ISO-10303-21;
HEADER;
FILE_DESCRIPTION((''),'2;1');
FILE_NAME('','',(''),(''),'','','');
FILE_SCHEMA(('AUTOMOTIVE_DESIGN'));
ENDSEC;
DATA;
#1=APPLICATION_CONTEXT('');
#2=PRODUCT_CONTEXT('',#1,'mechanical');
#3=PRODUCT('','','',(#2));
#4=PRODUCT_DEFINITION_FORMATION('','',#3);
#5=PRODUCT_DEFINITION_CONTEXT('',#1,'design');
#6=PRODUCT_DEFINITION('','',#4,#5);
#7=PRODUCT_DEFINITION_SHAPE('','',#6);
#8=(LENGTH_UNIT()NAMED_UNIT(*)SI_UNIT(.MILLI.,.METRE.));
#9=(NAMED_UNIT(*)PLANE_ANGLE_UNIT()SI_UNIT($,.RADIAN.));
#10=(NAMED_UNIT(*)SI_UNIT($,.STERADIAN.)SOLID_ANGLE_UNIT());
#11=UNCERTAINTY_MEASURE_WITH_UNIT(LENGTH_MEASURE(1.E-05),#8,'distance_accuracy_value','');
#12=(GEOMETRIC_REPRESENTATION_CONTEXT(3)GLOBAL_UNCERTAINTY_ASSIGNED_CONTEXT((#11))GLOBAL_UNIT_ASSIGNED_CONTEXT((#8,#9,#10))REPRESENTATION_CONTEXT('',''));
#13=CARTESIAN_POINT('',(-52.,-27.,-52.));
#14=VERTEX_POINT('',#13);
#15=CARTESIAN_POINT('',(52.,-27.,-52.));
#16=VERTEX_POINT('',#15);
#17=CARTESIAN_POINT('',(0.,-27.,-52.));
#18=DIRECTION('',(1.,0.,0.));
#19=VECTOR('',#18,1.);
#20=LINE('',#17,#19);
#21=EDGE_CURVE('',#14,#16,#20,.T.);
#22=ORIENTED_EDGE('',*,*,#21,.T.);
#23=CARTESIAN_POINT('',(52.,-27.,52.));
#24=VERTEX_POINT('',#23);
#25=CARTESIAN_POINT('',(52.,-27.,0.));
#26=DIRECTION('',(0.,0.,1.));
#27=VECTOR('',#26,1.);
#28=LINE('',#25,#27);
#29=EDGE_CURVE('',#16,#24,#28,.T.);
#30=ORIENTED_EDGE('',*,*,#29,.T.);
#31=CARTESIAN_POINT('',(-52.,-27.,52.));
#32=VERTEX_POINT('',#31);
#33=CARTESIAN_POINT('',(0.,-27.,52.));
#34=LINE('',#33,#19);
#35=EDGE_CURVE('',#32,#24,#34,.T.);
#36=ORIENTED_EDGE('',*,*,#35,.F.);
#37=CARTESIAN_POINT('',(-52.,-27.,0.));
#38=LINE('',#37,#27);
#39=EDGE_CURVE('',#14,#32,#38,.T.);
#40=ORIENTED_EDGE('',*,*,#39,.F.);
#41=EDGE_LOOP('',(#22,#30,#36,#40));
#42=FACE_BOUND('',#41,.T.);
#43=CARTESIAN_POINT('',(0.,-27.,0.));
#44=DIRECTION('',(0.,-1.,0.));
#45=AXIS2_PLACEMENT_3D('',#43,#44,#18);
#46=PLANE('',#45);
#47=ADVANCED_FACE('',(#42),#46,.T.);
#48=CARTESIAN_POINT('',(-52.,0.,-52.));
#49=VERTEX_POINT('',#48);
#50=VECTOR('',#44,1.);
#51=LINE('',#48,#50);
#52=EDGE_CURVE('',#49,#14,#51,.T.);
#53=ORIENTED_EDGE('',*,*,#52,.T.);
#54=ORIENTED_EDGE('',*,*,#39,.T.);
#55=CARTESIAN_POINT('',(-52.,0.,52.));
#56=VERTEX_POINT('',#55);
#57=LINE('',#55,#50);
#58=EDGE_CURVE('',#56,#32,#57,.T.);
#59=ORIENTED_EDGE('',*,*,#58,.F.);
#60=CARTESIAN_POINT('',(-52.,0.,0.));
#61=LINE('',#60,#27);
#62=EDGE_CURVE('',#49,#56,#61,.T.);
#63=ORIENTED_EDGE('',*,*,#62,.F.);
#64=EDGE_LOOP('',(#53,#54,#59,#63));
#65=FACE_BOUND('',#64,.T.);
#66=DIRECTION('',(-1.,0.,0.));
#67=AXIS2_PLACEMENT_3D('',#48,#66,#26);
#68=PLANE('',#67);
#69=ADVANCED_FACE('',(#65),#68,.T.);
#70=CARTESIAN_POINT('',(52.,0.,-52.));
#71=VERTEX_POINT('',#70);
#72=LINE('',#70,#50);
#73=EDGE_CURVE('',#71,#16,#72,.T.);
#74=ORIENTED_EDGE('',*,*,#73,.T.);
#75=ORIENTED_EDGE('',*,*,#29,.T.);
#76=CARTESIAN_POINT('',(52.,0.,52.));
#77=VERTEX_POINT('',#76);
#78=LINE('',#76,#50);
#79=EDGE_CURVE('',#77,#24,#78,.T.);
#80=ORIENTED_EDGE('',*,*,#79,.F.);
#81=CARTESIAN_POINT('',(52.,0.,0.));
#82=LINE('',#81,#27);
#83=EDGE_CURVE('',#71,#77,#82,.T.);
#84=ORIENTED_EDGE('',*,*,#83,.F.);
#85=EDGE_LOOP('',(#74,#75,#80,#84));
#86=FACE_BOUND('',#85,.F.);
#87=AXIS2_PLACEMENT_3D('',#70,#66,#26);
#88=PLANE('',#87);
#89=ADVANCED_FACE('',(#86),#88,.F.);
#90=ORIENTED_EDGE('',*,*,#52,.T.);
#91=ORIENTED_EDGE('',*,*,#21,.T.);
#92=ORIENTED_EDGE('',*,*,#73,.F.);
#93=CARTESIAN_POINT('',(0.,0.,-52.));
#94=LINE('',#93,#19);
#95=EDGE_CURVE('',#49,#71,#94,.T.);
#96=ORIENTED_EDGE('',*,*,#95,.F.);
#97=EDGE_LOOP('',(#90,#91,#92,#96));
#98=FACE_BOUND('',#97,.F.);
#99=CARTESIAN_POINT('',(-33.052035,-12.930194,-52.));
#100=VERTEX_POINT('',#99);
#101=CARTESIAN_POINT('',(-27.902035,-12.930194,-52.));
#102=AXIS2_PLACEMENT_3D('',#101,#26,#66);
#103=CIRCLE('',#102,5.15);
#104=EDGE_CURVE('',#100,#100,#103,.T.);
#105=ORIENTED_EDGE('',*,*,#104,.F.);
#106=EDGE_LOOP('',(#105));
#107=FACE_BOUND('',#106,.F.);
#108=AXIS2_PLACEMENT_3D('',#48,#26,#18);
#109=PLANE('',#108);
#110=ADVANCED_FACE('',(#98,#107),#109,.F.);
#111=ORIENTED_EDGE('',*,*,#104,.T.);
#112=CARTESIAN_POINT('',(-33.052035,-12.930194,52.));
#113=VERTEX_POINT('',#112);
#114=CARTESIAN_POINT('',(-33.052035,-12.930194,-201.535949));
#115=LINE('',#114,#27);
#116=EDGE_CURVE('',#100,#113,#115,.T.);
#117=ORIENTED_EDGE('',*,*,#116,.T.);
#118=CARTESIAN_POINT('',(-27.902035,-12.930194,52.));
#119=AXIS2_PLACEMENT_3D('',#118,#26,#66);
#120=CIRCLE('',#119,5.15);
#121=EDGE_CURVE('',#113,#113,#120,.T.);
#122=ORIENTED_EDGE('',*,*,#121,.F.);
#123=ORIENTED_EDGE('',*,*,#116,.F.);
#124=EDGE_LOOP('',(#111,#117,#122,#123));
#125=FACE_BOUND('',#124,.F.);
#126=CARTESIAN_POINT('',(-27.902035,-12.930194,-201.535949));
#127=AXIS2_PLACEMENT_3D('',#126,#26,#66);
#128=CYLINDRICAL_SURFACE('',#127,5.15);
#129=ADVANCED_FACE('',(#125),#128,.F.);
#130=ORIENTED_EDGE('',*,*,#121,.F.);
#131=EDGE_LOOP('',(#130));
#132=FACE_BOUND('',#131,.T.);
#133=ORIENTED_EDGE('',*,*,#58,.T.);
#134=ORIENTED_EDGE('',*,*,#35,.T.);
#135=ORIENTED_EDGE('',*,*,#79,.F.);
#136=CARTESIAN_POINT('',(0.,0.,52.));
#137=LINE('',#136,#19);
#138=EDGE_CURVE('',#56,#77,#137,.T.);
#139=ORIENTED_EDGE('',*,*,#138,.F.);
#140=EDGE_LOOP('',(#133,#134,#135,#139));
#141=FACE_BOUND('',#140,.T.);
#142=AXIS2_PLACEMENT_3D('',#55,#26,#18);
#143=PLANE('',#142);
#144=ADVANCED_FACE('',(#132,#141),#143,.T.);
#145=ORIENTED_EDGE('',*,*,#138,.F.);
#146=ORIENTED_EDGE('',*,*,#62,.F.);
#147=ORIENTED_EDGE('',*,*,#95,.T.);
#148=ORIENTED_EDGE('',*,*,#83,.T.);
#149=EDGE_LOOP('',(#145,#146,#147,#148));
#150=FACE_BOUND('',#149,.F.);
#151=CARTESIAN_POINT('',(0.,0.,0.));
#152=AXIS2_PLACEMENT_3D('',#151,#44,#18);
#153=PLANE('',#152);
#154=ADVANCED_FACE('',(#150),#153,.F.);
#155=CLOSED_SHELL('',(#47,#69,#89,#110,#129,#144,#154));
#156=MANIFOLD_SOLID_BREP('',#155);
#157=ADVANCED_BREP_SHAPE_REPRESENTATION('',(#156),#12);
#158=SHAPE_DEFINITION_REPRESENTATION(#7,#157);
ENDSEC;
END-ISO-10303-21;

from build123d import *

# Parameters (mm, degrees)
F0_W     = 104
F0_H     = 104
F1_DEPTH = 27
F3_D     = 10.3


with BuildPart() as f1:
    # F0 (on Front) → F1 (new body)
    with BuildSketch(Plane.XZ):
        Rectangle(F0_W, F0_H)
    extrude(amount=F1_DEPTH)

    # F3 (through all)
    with Locations(Plane(origin=(0, 0, -52), x_dir=(1, 0, 0), z_dir=(0, 0, -1))):
        with Locations((-27.9020350426, 12.930193916)):
            Hole(F3_D / 2)


solid = f1.part
